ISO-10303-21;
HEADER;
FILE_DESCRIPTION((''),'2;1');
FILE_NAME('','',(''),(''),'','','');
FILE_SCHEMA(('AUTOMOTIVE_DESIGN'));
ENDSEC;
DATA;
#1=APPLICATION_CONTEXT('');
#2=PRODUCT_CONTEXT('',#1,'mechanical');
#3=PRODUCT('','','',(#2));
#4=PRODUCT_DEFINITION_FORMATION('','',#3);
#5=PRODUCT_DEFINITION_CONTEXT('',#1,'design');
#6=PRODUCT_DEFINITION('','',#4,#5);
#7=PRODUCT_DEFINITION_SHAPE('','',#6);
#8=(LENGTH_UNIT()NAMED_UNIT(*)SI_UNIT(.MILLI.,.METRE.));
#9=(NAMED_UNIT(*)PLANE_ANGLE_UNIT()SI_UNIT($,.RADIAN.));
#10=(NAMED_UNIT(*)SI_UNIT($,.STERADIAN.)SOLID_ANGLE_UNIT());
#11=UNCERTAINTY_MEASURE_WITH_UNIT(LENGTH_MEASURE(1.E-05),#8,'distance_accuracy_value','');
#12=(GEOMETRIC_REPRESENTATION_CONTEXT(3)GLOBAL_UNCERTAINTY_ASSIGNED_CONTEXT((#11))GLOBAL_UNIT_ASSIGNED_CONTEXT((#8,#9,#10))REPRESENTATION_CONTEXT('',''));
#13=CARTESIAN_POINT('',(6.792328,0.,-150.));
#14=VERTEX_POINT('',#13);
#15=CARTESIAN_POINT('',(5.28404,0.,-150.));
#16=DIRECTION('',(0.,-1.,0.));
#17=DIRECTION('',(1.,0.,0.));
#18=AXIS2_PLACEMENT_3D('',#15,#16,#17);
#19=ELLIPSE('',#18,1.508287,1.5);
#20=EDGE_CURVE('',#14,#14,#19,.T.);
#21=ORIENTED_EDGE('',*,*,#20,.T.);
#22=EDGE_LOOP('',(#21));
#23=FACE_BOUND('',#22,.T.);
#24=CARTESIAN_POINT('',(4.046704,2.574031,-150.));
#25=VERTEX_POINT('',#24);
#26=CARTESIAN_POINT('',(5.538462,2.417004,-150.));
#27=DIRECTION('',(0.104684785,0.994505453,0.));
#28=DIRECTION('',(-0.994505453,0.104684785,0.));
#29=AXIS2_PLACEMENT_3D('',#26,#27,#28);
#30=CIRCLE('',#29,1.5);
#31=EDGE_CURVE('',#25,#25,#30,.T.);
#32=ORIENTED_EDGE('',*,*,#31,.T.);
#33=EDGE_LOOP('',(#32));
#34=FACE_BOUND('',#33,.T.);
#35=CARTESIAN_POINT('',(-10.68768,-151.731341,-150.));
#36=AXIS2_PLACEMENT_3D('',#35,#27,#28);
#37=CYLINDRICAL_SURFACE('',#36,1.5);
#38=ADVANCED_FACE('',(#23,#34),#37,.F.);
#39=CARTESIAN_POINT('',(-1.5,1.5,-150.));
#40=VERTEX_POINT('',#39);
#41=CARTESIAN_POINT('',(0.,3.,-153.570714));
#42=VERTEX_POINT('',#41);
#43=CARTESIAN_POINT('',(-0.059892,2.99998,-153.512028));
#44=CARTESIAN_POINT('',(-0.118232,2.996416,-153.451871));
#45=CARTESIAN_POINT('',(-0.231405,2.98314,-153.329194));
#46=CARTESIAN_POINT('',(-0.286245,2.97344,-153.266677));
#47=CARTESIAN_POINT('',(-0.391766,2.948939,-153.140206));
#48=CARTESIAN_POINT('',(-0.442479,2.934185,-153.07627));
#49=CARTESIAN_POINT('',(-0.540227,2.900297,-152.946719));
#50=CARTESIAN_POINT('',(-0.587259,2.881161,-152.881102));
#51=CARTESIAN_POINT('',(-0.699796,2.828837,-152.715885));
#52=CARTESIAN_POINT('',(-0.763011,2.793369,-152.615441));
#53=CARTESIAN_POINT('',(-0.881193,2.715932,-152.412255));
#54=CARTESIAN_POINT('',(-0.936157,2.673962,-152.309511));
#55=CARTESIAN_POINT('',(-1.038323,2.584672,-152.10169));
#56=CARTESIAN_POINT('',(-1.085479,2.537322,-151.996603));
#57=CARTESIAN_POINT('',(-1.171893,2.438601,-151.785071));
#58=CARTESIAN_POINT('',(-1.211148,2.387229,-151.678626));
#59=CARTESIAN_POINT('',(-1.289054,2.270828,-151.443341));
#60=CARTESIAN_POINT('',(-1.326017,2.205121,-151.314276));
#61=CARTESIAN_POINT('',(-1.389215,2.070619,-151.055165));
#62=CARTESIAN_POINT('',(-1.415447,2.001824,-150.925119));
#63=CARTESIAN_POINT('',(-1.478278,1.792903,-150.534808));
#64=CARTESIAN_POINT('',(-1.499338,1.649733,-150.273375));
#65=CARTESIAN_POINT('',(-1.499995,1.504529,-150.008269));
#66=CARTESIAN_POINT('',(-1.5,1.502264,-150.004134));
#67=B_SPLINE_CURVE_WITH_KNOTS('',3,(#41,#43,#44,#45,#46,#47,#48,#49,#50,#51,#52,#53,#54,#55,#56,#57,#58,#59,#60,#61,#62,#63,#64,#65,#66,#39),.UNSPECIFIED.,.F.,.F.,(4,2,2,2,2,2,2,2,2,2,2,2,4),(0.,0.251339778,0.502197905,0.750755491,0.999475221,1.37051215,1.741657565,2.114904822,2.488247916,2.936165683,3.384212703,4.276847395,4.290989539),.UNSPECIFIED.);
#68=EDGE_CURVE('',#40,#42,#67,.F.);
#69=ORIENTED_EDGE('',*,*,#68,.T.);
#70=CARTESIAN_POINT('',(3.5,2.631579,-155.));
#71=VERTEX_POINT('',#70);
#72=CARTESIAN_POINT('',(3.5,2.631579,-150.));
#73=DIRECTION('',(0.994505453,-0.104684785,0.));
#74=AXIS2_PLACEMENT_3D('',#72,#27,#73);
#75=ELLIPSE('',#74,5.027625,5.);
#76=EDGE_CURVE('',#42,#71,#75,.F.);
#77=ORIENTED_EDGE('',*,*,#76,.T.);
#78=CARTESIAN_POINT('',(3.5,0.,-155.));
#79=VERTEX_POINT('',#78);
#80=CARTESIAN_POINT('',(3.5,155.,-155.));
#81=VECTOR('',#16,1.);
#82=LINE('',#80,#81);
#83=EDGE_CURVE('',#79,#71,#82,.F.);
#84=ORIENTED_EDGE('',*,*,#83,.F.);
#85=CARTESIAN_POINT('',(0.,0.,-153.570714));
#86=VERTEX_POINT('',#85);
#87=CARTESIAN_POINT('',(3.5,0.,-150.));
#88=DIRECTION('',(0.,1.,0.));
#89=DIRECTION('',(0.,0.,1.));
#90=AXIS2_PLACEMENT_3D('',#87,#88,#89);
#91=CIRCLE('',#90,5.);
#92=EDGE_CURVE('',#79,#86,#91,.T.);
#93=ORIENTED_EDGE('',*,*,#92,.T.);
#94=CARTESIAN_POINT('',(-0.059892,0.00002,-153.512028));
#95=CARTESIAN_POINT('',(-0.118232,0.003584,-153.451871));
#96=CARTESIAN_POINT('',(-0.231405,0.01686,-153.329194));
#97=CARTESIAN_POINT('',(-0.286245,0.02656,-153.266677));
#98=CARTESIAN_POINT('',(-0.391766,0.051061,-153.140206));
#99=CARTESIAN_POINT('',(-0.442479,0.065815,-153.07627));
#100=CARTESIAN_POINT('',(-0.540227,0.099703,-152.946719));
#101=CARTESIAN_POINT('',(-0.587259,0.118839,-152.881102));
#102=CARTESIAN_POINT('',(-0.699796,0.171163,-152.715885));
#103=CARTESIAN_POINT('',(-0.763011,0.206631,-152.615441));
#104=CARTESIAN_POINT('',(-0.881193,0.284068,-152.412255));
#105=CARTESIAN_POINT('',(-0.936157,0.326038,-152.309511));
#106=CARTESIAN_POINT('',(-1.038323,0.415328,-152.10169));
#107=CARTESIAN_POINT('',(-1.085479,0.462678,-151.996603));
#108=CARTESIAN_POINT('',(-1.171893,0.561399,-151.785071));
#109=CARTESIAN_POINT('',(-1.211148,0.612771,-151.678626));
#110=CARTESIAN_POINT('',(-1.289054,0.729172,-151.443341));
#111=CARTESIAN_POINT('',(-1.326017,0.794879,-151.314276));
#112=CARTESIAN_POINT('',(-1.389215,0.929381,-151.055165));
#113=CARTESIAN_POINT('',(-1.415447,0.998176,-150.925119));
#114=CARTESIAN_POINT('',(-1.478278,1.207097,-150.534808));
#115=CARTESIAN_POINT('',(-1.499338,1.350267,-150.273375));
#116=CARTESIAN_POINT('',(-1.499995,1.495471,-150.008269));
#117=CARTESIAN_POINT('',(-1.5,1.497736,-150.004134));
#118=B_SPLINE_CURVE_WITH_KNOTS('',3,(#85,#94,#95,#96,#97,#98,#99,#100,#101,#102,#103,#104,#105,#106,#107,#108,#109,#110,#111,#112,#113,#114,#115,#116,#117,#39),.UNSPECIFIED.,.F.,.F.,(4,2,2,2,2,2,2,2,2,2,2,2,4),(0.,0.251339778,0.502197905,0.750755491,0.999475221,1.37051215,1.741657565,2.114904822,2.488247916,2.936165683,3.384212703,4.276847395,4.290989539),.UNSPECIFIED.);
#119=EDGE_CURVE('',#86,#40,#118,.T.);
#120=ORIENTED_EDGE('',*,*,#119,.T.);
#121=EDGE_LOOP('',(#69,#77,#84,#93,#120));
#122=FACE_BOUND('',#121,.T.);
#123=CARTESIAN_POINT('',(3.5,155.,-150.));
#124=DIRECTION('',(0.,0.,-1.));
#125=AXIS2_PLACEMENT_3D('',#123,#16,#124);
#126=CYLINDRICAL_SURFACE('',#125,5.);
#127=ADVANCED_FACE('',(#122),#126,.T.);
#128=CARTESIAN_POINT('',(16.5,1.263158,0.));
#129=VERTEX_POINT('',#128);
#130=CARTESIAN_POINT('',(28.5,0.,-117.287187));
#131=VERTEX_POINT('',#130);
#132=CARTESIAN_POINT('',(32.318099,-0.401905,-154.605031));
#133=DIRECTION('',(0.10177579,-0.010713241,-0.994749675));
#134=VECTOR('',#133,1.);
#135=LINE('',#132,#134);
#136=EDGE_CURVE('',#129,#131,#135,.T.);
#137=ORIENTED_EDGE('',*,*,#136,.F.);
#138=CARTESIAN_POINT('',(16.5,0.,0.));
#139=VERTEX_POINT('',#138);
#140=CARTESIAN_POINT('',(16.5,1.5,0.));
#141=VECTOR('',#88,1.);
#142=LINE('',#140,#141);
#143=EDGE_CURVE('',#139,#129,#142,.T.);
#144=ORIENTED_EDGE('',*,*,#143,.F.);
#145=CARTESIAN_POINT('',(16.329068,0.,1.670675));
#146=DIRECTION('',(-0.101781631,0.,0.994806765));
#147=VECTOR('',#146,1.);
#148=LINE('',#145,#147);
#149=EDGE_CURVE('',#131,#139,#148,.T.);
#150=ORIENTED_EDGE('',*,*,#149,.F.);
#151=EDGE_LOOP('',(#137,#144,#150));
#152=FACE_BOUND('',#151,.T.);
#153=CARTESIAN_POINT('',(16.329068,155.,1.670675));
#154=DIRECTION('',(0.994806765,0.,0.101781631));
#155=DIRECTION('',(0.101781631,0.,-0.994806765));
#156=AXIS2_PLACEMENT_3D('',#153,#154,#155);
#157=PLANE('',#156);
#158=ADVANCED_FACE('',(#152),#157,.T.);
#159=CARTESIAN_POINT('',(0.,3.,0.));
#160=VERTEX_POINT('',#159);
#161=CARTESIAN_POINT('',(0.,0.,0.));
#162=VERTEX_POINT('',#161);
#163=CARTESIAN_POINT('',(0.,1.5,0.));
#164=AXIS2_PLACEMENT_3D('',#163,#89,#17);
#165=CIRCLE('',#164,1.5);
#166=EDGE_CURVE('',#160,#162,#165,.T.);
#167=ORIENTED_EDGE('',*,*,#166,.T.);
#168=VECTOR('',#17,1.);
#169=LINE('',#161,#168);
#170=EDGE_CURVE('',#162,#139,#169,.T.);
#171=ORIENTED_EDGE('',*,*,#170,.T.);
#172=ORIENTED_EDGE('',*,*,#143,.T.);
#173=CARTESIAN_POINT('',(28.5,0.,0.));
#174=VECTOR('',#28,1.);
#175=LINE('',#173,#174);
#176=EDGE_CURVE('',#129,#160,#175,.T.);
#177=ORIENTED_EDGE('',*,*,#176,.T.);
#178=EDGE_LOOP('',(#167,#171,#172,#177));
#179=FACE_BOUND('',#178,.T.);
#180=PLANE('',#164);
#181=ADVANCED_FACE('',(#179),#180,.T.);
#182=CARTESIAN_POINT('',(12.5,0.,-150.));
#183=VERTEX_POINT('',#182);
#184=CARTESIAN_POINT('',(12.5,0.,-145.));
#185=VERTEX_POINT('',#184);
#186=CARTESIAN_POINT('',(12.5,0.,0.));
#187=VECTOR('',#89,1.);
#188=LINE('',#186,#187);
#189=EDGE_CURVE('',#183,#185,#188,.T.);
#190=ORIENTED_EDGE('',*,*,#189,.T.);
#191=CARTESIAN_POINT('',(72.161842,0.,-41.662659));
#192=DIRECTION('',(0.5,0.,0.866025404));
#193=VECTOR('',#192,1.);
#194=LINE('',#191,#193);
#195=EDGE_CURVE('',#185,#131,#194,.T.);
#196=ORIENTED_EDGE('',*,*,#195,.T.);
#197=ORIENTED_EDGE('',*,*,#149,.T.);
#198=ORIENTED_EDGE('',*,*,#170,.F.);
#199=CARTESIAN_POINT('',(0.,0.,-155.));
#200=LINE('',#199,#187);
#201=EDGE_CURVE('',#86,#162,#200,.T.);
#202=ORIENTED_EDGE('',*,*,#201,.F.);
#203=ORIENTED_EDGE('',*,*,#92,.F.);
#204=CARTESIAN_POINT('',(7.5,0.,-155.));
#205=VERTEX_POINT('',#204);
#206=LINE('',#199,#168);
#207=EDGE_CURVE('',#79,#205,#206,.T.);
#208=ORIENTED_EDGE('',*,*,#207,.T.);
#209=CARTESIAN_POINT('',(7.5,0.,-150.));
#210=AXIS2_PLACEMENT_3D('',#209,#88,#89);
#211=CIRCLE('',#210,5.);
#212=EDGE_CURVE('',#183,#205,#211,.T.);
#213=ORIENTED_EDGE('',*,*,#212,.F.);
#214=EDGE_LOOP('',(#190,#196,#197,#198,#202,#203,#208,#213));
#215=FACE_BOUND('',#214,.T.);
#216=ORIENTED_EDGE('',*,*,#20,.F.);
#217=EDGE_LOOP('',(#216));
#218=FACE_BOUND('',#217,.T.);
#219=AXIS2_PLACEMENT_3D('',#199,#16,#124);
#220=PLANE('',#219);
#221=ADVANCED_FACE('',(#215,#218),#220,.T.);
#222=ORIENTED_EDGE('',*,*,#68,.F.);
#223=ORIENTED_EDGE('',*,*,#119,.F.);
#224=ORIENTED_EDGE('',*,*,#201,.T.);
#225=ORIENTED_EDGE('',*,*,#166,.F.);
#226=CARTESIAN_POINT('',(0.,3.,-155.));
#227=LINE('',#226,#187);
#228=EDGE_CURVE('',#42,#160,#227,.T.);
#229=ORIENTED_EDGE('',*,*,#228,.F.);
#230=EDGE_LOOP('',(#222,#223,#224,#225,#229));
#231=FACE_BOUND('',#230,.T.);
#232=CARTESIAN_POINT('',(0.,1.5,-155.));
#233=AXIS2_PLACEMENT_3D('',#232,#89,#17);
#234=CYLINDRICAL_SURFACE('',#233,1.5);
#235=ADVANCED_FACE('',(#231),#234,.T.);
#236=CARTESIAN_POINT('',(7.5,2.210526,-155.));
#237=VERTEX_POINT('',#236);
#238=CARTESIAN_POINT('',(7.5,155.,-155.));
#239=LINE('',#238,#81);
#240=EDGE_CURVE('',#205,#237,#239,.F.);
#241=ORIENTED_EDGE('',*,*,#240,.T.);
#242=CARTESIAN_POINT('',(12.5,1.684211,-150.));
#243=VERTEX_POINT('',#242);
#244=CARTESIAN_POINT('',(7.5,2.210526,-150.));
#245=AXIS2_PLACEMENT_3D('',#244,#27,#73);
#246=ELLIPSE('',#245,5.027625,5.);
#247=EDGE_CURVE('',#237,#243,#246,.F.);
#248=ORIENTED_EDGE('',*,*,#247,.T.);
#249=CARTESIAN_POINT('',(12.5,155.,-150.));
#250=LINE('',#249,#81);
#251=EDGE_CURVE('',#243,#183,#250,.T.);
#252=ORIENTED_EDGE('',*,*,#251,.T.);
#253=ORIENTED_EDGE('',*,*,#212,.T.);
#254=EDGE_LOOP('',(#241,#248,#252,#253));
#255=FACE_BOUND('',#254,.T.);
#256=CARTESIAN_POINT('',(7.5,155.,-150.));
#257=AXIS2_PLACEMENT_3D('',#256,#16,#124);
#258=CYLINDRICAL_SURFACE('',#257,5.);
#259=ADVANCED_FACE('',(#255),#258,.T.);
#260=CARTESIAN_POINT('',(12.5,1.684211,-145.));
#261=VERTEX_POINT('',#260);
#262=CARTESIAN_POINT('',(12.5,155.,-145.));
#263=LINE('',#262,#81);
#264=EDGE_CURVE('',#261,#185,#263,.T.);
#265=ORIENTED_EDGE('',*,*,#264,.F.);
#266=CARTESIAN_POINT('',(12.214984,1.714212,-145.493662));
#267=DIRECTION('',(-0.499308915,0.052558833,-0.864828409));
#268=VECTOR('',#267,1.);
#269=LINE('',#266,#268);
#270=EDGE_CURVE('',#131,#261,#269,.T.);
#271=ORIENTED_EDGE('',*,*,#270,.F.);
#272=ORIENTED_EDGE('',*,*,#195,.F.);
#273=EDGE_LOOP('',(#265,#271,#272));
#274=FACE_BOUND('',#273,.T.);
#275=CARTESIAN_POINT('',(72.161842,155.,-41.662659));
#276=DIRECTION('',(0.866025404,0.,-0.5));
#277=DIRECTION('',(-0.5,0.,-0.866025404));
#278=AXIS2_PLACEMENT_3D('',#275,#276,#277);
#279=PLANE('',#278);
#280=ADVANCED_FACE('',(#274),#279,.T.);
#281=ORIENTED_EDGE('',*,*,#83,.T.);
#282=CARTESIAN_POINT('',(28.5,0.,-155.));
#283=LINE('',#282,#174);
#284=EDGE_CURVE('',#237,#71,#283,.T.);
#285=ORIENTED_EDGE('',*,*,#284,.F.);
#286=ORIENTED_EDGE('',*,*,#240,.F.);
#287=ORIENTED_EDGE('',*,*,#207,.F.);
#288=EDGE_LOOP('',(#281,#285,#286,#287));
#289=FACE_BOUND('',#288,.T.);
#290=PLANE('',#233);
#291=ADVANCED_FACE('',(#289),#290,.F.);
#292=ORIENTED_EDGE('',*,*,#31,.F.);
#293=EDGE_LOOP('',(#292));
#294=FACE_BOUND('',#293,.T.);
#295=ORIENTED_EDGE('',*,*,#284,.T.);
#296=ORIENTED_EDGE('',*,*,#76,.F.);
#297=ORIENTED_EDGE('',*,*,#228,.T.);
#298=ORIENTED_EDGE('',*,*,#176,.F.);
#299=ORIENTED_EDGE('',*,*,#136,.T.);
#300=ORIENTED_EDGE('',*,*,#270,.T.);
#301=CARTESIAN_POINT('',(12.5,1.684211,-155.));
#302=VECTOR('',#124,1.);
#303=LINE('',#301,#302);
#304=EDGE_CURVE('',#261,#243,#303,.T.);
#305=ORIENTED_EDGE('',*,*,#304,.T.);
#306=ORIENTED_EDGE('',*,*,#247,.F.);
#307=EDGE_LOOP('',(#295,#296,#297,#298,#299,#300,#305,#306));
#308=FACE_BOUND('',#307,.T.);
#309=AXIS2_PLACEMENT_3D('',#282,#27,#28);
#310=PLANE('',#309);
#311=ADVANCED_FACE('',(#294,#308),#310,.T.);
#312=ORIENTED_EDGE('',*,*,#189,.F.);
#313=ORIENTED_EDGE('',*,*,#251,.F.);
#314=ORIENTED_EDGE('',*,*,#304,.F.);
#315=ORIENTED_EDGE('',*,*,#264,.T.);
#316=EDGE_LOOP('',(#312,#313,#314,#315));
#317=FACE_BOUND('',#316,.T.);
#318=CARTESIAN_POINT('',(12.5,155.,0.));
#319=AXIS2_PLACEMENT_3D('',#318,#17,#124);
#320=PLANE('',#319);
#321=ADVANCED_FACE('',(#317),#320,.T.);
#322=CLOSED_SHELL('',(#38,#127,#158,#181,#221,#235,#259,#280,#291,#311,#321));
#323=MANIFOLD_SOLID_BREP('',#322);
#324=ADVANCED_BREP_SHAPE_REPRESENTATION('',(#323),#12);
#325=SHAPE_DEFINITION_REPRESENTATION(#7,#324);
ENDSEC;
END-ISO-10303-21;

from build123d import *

# Parameters (mm, degrees)
SALIENTE_EXTRUIR1_DEPTH = 155
CORTAR_EXTRUIR6_DEPTH   = 155
CROQUIS5_R              = 1.5
CORTAR_EXTRUIR9_DEPTH   = 155


with BuildPart() as part:
    # Croquis1 → Saliente-Extruir1 (new body)
    with BuildSketch(Plane.XY):
        with BuildLine():
            Line((0, 0), (28.5, 0))
            Line((28.5, 0), (0, 3))
            ThreePointArc((0, 3), (-1.5, 1.5), (0, 0))
        make_face()
    extrude(amount=-SALIENTE_EXTRUIR1_DEPTH)

    # Croquis3 → Cortar-Extruir6 (cut)
    with BuildSketch(Plane(origin=(0, 0, 0), x_dir=(1, 0, 0), z_dir=(0, 1, 0))):
        Polygon((28.5, 0), (28.5, 117.287187079), (16.5, 0), align=None)
        with BuildLine():
            ThreePointArc((7.5, 155), (11.035533906, 153.535533906), (12.5, 150))
            Line((12.5, 150), (12.5, 145))
            Line((12.5, 145), (28.5, 117.287187079))
            Line((28.5, 117.287187079), (28.5, 155))
            Line((28.5, 155), (7.5, 155))
        make_face()
        with BuildLine():
            ThreePointArc((3.5, 155), (-0.035533906, 153.535533906), (-1.5, 150))
            Line((-1.5, 150), (-1.5, 155))
            Line((-1.5, 155), (3.5, 155))
        make_face()
    extrude(amount=CORTAR_EXTRUIR6_DEPTH, mode=Mode.SUBTRACT)

    # Croquis5 → Cortar-Extruir9 (cut)
    with BuildSketch(Plane(origin=(0.312328767, 2.967123288, 0), x_dir=(0.9945054529214061, -0.10468478451804268, 0), z_dir=(0.10468478451804267, 0.994505452921406, 0))):
        with Locations(Location((5.255006945, 150, 0), (0, 0, 180))):
            Circle(CROQUIS5_R)
    extrude(amount=-CORTAR_EXTRUIR9_DEPTH, mode=Mode.SUBTRACT)


solid = part.part
